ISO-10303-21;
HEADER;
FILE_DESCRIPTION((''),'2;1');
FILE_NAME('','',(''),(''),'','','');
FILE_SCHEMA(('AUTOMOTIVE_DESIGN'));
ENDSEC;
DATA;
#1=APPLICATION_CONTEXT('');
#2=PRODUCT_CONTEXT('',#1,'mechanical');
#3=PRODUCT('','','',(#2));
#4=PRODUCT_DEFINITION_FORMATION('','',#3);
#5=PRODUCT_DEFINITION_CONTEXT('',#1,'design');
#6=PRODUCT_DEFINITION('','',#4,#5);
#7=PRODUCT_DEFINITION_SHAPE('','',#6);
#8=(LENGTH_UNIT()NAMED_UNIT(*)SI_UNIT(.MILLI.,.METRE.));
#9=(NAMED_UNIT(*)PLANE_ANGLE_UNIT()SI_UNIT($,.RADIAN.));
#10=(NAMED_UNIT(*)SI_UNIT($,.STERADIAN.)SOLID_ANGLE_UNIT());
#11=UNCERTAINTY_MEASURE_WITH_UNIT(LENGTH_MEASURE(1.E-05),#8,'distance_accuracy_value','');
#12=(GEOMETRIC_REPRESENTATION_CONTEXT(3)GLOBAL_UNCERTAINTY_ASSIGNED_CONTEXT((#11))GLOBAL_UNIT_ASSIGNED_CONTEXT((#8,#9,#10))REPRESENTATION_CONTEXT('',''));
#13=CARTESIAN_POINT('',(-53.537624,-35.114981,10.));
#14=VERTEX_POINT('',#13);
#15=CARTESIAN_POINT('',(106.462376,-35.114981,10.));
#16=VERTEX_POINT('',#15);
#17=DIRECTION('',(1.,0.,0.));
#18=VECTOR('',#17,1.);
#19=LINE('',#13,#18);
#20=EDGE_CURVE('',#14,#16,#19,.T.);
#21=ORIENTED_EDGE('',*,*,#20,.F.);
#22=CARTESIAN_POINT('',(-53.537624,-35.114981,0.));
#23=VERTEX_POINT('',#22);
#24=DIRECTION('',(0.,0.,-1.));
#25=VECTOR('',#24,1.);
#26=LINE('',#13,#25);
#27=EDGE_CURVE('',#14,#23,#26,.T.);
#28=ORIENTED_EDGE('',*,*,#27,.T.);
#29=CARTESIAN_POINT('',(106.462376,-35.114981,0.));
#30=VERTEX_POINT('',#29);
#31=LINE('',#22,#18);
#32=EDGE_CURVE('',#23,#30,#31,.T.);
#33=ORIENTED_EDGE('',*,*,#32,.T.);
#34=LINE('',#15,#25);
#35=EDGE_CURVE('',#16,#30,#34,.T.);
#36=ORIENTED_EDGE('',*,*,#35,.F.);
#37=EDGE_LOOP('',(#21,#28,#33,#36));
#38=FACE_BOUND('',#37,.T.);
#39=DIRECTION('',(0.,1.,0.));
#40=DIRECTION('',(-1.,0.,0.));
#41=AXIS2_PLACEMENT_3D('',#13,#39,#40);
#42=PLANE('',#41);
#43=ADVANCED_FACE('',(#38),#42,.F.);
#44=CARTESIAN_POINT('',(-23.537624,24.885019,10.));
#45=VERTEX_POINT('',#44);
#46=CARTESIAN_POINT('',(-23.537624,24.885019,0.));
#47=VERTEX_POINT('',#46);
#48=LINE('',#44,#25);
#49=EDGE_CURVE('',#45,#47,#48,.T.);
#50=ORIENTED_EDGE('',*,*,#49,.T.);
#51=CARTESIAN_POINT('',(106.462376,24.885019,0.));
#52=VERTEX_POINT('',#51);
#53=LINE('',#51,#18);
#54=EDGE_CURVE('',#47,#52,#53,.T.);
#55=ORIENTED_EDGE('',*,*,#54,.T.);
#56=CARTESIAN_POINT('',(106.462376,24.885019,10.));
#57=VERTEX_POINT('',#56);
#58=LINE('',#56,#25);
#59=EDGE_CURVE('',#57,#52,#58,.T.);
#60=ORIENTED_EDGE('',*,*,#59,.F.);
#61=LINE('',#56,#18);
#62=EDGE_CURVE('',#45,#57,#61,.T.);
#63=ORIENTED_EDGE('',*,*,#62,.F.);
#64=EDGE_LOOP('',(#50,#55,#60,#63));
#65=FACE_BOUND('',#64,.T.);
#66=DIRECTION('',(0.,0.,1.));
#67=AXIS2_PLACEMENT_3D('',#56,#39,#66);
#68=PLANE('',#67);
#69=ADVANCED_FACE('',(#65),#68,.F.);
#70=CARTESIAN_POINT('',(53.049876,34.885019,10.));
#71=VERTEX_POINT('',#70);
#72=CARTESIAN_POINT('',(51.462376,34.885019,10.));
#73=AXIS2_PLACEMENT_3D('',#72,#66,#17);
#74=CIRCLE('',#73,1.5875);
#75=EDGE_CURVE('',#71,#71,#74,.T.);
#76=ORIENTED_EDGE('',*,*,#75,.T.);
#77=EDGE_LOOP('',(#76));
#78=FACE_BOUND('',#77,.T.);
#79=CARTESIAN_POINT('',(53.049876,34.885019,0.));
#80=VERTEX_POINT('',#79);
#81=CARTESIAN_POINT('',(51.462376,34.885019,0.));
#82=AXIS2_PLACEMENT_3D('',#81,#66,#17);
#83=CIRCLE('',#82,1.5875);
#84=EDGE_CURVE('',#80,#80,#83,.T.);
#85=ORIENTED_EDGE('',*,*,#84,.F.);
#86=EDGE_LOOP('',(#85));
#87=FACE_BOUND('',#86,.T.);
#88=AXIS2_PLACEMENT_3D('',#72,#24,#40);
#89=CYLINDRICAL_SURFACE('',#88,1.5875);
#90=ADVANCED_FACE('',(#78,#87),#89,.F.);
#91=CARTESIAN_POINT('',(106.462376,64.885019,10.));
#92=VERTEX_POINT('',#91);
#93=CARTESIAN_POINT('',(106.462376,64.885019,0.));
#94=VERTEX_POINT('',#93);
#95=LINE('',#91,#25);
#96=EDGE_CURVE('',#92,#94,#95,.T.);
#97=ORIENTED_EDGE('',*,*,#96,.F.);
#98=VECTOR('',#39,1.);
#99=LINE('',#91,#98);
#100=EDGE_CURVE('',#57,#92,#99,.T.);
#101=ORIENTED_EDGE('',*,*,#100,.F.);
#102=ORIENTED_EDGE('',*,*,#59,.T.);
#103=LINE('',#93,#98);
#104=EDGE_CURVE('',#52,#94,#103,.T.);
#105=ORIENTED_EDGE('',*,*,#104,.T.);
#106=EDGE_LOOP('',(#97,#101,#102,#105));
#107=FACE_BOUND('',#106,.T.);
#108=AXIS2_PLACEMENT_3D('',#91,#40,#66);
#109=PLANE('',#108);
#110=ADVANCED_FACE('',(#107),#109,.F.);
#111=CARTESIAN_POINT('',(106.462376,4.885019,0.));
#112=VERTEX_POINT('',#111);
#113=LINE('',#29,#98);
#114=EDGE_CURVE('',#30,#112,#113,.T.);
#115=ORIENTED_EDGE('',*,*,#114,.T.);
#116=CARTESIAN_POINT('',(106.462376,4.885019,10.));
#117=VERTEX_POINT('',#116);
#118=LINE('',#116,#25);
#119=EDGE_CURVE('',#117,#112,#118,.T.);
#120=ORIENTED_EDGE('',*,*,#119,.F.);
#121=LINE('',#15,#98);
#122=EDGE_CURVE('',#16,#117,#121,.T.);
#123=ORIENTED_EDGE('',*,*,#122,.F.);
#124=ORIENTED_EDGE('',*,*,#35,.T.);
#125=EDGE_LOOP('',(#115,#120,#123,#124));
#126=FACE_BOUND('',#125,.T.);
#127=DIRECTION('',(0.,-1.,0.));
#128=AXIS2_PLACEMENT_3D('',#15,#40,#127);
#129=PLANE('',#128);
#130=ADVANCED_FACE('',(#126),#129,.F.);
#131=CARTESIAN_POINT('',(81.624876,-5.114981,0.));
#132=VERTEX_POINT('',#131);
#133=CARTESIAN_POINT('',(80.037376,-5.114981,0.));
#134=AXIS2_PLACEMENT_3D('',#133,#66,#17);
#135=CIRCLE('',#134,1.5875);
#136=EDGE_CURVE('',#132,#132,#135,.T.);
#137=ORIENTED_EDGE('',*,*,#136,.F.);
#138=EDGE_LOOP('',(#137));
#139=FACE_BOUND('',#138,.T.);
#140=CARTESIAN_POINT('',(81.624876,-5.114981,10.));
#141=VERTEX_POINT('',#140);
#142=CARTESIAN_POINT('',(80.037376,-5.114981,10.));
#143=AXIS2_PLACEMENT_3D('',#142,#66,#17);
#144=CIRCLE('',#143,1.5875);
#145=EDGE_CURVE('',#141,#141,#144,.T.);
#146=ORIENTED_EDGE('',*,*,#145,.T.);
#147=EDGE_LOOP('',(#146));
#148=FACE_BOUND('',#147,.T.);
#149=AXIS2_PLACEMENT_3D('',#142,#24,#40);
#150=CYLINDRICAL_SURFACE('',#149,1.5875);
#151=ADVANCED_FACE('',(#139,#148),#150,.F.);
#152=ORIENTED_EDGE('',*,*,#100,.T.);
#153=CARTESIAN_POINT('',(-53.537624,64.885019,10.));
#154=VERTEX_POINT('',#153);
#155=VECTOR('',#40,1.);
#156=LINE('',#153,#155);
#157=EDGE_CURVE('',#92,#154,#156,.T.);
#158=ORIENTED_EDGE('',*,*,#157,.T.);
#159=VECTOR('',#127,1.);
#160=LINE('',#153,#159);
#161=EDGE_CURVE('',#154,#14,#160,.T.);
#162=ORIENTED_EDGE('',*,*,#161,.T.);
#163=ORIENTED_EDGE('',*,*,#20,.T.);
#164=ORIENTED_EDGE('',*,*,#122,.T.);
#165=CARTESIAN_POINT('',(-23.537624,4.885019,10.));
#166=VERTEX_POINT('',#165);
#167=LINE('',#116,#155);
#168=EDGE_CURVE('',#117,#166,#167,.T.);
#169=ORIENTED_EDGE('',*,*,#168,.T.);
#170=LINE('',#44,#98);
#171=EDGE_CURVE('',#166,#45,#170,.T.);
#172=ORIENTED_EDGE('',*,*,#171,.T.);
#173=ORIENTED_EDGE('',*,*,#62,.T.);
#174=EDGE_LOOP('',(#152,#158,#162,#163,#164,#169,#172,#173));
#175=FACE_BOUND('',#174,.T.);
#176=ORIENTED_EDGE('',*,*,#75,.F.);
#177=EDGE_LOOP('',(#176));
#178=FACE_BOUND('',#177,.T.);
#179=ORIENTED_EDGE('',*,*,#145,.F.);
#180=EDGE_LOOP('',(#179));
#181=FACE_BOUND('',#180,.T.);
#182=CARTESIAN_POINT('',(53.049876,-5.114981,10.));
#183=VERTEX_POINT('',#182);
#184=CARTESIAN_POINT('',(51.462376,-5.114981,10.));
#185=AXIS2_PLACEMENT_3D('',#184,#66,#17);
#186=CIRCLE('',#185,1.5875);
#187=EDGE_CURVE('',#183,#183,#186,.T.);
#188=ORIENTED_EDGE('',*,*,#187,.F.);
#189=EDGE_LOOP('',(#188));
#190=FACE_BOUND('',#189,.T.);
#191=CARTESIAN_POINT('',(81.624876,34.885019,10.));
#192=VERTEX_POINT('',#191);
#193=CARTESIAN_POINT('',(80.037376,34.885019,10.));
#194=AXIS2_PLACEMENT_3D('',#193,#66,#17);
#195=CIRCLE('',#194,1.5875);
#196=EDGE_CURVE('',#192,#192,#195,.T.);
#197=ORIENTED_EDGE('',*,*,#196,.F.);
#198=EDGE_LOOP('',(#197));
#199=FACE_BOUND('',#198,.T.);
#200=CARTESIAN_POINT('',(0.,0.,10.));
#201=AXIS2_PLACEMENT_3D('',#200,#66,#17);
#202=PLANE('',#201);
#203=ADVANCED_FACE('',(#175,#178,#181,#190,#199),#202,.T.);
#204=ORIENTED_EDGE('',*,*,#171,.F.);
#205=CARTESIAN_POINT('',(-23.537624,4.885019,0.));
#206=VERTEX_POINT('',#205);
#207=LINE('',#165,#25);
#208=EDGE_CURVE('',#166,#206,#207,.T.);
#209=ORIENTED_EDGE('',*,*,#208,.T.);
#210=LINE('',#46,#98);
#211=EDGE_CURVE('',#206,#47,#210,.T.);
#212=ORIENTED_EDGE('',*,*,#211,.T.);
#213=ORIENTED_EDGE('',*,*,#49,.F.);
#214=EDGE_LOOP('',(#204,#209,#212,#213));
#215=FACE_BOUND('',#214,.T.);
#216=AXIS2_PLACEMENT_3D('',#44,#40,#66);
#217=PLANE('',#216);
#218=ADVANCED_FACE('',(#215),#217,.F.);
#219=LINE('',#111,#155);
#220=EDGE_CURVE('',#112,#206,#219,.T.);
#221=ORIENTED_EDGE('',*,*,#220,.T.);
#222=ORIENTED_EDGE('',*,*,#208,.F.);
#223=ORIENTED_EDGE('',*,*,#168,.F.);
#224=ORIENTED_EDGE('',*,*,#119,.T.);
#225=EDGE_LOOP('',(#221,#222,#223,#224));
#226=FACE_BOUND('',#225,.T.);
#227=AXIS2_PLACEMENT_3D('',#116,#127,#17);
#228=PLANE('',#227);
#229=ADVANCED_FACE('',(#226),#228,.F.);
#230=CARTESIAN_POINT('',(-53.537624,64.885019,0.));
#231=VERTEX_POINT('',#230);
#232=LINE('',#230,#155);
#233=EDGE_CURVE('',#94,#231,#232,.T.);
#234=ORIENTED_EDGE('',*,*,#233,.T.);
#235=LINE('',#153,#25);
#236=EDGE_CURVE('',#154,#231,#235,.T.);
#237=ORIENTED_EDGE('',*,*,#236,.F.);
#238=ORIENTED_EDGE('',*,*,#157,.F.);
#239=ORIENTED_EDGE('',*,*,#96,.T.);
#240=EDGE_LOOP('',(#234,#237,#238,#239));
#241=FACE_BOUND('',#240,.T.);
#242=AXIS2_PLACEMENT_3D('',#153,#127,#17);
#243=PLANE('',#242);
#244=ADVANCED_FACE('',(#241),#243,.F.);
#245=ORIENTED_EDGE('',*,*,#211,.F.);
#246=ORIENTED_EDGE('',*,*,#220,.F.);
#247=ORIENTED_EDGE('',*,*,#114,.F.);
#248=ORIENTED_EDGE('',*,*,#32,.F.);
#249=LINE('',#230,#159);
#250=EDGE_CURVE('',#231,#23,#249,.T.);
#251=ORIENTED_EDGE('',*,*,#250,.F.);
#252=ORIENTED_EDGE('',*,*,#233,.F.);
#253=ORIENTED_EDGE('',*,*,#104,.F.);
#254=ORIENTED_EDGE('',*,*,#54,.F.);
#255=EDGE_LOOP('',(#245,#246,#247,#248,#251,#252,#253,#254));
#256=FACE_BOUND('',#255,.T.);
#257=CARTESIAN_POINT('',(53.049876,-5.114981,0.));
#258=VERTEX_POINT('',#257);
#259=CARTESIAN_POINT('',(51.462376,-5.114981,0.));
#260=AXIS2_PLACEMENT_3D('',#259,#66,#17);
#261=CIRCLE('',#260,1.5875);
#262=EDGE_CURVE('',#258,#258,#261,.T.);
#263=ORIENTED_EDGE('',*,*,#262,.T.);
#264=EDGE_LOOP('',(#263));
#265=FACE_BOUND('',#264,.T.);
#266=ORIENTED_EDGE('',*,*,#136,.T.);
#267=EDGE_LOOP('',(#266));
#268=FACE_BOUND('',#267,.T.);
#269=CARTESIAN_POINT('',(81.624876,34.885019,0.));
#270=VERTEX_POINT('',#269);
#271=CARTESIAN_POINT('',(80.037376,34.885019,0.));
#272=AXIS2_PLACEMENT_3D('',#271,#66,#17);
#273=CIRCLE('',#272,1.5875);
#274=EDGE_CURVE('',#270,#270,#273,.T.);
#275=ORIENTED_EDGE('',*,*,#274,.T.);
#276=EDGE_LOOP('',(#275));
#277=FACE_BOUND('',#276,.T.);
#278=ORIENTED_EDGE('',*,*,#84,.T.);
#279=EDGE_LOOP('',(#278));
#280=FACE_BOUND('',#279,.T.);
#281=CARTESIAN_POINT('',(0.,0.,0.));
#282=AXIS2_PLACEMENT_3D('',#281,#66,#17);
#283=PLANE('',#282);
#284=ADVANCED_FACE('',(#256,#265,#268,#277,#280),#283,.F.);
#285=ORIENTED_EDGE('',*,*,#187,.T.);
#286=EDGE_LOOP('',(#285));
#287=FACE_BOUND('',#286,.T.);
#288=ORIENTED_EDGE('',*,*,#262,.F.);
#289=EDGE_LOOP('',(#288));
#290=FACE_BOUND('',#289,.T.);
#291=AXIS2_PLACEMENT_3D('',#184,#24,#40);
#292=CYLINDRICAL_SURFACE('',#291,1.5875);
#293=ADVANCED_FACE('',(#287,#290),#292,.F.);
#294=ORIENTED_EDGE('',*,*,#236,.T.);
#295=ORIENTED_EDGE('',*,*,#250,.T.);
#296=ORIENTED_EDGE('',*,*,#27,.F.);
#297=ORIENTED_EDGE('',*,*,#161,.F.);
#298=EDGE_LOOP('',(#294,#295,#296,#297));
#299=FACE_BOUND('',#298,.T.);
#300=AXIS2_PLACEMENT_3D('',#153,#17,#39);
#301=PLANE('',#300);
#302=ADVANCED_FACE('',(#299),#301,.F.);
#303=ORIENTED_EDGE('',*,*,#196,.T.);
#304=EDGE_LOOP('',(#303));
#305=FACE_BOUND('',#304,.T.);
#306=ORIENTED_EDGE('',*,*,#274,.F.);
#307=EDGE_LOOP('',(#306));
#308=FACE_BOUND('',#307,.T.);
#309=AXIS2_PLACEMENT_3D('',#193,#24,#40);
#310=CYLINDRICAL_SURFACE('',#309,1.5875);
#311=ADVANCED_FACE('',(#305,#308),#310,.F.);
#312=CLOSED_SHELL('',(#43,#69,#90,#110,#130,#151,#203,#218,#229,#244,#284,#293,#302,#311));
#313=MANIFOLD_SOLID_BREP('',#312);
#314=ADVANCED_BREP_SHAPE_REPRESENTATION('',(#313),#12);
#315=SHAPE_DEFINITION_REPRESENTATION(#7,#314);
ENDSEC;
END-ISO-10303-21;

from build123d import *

# Parameters (mm, degrees)
SKETCH1_R           = 1.5875
BOSS_EXTRUDE1_DEPTH = 10


with BuildPart() as part:
    # Sketch1 → Boss-Extrude1 (new body)
    with BuildSketch(Plane.XY):
        Polygon((-53.537623716, 64.885018665), (106.462376284, 64.885018665), (106.462376284, 24.885018665), (-23.537623716, 24.885018665), (-23.537623716, 4.885018665), (106.462376284, 4.885018665), (106.462376284, -35.114981335), (-53.537623716, -35.114981335), align=None)
        with Locations((51.462376284, 34.885018665)):
            Circle(SKETCH1_R, mode=Mode.SUBTRACT)
        with Locations((80.037376284, 34.885018665)):
            Circle(SKETCH1_R, mode=Mode.SUBTRACT)
        with Locations((51.462376284, -5.114981335)):
            Circle(SKETCH1_R, mode=Mode.SUBTRACT)
        with Locations((80.037376284, -5.114981335)):
            Circle(SKETCH1_R, mode=Mode.SUBTRACT)
    extrude(amount=BOSS_EXTRUDE1_DEPTH)


solid = part.part
